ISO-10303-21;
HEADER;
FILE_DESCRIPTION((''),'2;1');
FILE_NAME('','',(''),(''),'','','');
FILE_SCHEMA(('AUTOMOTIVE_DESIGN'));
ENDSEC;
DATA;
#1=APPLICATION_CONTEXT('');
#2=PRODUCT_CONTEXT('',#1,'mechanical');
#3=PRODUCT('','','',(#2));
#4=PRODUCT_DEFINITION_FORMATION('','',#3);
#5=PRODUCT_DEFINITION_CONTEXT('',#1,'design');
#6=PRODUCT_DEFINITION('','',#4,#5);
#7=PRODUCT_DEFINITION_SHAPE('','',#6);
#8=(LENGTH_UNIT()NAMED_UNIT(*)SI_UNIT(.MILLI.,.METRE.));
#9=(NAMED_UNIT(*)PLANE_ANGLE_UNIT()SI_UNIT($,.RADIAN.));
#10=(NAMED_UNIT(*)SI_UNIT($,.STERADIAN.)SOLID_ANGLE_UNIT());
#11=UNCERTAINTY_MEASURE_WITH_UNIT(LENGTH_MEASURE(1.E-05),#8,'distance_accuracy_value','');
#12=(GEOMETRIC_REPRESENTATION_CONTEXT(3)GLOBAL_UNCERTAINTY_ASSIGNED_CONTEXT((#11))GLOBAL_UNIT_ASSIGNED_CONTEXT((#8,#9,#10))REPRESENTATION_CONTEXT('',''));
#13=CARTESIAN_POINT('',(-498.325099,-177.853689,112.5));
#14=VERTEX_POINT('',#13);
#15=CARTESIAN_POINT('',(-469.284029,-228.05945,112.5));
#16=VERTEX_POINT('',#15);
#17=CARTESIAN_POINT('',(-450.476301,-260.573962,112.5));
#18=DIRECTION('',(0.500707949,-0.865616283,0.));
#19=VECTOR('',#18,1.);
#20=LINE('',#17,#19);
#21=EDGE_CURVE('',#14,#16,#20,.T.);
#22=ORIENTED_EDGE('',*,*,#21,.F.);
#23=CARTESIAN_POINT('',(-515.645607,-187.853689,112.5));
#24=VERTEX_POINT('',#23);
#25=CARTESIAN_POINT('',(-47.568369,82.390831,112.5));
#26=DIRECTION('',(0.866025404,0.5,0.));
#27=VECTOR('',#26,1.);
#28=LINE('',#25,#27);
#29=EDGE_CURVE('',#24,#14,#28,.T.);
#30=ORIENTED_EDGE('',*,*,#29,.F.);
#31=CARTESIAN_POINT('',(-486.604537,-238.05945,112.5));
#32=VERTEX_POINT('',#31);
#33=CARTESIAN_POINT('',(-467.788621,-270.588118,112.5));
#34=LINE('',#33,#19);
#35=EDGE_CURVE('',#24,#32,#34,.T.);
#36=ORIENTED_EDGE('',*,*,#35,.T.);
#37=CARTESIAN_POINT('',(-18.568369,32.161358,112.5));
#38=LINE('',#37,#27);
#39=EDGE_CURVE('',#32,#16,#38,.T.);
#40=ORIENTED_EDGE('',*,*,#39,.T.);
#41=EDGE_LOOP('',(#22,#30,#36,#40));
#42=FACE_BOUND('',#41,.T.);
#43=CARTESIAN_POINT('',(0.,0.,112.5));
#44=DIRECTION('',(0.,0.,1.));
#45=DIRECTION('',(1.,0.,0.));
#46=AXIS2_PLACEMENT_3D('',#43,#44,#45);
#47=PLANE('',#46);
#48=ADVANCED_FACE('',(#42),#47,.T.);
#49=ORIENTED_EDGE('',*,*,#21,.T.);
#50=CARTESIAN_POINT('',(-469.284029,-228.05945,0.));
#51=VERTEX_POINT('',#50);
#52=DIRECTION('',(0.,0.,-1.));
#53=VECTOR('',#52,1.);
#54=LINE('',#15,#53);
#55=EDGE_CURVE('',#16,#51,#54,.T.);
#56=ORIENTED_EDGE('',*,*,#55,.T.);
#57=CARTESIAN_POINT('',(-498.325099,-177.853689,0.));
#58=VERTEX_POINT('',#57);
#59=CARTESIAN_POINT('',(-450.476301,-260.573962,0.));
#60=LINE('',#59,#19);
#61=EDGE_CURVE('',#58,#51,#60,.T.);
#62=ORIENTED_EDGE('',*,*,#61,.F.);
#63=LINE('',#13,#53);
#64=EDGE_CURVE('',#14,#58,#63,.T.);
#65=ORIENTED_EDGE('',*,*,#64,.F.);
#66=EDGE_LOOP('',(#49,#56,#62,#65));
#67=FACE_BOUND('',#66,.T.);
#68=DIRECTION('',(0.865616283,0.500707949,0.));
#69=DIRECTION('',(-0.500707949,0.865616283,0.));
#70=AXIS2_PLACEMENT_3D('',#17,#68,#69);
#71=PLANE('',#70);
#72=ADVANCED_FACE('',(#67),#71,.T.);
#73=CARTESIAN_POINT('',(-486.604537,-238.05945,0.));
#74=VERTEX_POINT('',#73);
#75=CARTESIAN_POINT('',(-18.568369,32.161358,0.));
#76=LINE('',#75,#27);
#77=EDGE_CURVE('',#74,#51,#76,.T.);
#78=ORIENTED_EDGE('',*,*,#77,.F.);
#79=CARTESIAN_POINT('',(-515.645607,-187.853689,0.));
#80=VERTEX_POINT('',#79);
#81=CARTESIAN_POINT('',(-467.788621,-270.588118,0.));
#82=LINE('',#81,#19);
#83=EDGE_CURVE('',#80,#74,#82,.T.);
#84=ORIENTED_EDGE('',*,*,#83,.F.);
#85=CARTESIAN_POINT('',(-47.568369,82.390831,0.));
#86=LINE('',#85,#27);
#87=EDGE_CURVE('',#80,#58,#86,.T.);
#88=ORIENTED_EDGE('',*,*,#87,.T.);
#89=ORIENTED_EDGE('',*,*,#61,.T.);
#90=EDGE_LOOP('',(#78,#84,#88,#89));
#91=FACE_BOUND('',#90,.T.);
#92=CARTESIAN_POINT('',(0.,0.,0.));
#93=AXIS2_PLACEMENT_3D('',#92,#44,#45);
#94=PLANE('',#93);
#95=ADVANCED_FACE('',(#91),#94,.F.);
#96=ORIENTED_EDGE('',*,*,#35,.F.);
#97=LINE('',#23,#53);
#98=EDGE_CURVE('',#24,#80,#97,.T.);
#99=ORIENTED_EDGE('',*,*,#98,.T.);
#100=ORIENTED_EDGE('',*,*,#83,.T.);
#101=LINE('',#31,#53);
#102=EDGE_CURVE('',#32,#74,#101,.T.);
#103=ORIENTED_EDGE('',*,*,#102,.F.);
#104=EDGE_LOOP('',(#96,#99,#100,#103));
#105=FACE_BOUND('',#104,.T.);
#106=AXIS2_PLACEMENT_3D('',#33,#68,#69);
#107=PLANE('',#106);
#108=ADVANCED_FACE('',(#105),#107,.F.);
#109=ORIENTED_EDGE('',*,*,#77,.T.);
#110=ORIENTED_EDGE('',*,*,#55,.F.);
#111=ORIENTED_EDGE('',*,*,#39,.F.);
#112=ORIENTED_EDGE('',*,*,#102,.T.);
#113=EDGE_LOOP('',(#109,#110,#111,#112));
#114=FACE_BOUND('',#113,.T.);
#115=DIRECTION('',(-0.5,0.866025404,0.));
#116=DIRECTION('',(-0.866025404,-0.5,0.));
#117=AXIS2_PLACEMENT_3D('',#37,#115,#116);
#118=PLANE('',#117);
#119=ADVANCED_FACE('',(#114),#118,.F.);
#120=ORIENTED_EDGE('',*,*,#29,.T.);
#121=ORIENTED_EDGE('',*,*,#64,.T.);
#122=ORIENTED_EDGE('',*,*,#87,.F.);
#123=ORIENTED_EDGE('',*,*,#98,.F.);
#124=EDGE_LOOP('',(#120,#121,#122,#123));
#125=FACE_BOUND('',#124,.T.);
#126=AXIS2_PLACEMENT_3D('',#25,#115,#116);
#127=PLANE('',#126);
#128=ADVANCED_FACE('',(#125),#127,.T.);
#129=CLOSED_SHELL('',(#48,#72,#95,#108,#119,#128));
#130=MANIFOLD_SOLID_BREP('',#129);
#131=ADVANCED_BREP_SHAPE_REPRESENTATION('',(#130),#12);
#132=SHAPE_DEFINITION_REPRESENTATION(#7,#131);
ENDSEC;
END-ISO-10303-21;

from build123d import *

# Parameters (mm, degrees)
BOSS_EXTRUDE2_DEPTH = 112.5


with BuildPart() as part:
    # Sketch4 → Boss-Extrude2 (new body)
    with BuildSketch(Plane.XY):
        Polygon((-498.325099265, -177.853688571), (-469.284028526, -228.059449788), (-486.604536601, -238.059449788), (-515.64560734, -187.853688571), align=None)
    extrude(amount=BOSS_EXTRUDE2_DEPTH)


solid = part.part
